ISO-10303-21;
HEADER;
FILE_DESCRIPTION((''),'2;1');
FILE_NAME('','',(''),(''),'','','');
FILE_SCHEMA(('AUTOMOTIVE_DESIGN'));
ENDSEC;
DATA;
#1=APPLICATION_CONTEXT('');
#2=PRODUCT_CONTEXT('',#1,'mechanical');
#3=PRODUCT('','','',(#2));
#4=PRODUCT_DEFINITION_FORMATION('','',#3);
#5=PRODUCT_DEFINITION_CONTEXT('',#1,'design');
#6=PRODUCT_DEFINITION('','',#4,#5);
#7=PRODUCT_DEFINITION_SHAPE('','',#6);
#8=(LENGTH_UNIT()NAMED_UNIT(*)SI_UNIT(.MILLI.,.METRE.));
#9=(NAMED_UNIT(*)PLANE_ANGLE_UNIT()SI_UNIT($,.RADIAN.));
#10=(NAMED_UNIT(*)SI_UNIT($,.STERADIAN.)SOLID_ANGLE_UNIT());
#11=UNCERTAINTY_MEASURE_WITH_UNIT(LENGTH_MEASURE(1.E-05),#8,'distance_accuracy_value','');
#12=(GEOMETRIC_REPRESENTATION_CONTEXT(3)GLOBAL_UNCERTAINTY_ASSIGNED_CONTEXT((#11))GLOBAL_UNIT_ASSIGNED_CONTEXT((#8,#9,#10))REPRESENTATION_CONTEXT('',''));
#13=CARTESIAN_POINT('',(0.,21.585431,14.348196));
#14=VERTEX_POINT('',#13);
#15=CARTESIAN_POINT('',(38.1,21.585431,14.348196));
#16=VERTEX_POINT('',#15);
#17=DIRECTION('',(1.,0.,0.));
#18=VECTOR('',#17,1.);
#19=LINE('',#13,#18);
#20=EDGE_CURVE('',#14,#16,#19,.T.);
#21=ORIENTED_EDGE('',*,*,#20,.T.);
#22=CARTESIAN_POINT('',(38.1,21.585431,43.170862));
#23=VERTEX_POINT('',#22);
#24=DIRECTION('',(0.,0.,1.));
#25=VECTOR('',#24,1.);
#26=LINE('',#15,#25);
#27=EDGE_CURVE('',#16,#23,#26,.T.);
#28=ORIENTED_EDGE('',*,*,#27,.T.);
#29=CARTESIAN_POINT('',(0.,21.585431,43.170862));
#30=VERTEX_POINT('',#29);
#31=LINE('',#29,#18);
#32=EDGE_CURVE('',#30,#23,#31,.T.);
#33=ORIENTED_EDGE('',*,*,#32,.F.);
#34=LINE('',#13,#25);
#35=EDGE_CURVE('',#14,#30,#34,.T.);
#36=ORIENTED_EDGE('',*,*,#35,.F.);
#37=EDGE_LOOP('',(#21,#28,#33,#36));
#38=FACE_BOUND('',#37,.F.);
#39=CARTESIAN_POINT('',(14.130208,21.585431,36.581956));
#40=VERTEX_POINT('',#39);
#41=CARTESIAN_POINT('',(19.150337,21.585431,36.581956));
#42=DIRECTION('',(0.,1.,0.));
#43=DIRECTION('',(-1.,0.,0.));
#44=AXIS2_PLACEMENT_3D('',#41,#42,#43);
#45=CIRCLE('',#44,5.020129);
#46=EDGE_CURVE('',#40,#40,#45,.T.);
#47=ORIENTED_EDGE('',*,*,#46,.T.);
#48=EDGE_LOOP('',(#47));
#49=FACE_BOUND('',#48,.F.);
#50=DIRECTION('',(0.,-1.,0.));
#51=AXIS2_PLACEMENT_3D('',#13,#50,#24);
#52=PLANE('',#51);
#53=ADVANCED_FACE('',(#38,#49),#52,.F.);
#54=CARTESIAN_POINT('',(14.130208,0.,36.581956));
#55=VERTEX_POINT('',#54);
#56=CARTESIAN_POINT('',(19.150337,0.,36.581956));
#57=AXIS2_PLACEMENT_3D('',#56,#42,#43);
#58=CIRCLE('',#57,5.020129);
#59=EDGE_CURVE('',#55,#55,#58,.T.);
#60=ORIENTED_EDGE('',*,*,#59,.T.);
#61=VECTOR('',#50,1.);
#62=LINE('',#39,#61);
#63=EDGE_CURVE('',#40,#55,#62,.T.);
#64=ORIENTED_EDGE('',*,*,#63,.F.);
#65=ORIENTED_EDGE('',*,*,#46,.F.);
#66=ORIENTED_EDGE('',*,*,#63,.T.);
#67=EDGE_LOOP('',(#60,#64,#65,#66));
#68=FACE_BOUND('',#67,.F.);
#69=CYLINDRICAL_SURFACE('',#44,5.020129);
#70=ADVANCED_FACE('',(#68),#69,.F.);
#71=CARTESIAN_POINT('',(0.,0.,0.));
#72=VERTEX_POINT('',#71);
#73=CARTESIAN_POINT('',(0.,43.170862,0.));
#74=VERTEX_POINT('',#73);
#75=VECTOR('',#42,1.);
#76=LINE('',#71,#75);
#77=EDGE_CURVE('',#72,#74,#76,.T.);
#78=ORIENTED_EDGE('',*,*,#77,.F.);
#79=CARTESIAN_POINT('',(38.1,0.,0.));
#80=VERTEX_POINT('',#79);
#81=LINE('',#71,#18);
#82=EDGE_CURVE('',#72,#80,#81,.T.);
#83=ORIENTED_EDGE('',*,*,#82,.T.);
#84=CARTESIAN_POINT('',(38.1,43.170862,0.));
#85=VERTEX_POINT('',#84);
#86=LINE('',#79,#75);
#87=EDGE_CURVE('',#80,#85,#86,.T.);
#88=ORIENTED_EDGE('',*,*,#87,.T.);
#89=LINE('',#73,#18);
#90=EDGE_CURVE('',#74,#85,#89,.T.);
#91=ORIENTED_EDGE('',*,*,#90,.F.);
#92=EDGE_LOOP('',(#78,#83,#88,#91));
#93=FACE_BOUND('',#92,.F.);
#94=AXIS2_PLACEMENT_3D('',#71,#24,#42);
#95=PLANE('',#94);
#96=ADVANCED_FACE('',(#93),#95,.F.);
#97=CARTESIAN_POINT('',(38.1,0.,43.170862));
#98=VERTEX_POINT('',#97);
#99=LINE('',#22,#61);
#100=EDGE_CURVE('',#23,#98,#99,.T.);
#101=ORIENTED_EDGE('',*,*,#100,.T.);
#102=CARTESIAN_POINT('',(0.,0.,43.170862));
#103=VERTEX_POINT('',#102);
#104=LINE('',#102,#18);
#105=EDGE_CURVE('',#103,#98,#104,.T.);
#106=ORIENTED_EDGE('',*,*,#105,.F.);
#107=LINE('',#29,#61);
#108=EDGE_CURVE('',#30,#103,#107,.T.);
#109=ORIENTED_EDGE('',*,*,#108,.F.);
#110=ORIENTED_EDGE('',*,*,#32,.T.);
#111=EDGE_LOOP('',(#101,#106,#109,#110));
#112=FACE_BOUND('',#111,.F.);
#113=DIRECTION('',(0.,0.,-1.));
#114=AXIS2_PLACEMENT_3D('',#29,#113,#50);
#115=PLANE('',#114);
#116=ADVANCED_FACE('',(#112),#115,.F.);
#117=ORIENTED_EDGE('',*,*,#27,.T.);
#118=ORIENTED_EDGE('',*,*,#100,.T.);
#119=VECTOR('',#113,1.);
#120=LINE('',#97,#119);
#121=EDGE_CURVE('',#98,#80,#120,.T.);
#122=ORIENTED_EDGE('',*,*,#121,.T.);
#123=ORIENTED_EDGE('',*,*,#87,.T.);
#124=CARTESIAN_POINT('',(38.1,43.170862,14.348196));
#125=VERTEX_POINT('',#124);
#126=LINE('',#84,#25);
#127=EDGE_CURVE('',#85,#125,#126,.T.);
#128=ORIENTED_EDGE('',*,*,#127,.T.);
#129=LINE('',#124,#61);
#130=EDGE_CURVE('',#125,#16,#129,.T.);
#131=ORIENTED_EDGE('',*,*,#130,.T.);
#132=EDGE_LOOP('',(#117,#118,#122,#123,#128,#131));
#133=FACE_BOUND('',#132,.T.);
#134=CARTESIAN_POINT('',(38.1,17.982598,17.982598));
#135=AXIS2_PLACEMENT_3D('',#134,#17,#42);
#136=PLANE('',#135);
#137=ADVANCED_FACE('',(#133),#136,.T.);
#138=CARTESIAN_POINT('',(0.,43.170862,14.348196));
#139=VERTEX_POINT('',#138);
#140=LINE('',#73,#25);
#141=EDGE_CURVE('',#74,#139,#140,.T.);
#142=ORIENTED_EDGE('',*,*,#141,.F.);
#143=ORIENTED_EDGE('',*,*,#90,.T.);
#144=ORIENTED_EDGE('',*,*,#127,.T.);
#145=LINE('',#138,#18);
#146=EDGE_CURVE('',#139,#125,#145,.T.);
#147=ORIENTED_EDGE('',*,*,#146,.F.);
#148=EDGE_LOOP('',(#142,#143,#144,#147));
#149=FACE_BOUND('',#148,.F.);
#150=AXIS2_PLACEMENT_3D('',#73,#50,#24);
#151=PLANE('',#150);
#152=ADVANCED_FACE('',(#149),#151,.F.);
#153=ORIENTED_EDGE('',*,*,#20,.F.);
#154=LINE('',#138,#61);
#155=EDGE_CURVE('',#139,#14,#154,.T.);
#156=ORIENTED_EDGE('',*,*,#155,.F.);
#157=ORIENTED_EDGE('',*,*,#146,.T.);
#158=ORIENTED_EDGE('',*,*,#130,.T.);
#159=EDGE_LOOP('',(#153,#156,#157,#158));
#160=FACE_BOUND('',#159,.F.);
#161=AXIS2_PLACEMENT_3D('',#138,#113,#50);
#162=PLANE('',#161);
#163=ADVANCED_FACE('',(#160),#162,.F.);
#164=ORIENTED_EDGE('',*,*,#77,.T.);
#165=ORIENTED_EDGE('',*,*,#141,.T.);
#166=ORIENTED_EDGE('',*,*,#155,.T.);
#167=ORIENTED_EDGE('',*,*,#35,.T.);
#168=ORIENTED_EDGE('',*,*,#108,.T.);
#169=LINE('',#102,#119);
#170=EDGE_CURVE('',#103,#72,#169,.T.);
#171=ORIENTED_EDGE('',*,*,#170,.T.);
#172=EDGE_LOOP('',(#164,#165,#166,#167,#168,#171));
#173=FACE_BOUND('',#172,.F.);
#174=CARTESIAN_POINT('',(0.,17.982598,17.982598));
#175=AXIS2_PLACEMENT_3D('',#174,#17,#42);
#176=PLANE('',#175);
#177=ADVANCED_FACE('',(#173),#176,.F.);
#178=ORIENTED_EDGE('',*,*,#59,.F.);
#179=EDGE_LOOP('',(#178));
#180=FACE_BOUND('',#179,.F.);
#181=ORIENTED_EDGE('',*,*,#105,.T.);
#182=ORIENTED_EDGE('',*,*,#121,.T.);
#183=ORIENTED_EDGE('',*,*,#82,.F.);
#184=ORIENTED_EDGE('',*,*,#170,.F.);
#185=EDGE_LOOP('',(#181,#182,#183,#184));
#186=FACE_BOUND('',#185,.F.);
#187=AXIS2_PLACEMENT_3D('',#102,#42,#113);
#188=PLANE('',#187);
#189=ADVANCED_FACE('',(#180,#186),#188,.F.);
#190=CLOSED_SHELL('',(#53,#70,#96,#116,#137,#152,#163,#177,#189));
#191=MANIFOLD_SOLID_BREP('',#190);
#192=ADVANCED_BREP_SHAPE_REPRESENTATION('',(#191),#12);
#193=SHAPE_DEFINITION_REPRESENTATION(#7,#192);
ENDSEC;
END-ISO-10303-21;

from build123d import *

# Parameters (mm, degrees)
F1_DEPTH = 38.1
F2_R     = 5.020129
F3_DEPTH = 24.13


with BuildPart() as f1:
    # F0 (on Right) → F1 (new body)
    with BuildSketch(Plane.YZ):
        Polygon((21.585431, 43.170862), (0, 43.170862), (0, 0), (43.170862, 0), (43.170862, 14.348196), (21.585431, 14.348196), align=None)
    extrude(amount=F1_DEPTH)

    # F2 (on face) → F3 (cut)
    with BuildSketch(Plane(origin=(0, 21.585431, 0), x_dir=(-1, 0, 0), z_dir=(0, 1, 0))):
        with Locations((-19.150337, 36.581956)):
            Circle(F2_R)
    extrude(amount=-F3_DEPTH, mode=Mode.SUBTRACT)


solid = f1.part
